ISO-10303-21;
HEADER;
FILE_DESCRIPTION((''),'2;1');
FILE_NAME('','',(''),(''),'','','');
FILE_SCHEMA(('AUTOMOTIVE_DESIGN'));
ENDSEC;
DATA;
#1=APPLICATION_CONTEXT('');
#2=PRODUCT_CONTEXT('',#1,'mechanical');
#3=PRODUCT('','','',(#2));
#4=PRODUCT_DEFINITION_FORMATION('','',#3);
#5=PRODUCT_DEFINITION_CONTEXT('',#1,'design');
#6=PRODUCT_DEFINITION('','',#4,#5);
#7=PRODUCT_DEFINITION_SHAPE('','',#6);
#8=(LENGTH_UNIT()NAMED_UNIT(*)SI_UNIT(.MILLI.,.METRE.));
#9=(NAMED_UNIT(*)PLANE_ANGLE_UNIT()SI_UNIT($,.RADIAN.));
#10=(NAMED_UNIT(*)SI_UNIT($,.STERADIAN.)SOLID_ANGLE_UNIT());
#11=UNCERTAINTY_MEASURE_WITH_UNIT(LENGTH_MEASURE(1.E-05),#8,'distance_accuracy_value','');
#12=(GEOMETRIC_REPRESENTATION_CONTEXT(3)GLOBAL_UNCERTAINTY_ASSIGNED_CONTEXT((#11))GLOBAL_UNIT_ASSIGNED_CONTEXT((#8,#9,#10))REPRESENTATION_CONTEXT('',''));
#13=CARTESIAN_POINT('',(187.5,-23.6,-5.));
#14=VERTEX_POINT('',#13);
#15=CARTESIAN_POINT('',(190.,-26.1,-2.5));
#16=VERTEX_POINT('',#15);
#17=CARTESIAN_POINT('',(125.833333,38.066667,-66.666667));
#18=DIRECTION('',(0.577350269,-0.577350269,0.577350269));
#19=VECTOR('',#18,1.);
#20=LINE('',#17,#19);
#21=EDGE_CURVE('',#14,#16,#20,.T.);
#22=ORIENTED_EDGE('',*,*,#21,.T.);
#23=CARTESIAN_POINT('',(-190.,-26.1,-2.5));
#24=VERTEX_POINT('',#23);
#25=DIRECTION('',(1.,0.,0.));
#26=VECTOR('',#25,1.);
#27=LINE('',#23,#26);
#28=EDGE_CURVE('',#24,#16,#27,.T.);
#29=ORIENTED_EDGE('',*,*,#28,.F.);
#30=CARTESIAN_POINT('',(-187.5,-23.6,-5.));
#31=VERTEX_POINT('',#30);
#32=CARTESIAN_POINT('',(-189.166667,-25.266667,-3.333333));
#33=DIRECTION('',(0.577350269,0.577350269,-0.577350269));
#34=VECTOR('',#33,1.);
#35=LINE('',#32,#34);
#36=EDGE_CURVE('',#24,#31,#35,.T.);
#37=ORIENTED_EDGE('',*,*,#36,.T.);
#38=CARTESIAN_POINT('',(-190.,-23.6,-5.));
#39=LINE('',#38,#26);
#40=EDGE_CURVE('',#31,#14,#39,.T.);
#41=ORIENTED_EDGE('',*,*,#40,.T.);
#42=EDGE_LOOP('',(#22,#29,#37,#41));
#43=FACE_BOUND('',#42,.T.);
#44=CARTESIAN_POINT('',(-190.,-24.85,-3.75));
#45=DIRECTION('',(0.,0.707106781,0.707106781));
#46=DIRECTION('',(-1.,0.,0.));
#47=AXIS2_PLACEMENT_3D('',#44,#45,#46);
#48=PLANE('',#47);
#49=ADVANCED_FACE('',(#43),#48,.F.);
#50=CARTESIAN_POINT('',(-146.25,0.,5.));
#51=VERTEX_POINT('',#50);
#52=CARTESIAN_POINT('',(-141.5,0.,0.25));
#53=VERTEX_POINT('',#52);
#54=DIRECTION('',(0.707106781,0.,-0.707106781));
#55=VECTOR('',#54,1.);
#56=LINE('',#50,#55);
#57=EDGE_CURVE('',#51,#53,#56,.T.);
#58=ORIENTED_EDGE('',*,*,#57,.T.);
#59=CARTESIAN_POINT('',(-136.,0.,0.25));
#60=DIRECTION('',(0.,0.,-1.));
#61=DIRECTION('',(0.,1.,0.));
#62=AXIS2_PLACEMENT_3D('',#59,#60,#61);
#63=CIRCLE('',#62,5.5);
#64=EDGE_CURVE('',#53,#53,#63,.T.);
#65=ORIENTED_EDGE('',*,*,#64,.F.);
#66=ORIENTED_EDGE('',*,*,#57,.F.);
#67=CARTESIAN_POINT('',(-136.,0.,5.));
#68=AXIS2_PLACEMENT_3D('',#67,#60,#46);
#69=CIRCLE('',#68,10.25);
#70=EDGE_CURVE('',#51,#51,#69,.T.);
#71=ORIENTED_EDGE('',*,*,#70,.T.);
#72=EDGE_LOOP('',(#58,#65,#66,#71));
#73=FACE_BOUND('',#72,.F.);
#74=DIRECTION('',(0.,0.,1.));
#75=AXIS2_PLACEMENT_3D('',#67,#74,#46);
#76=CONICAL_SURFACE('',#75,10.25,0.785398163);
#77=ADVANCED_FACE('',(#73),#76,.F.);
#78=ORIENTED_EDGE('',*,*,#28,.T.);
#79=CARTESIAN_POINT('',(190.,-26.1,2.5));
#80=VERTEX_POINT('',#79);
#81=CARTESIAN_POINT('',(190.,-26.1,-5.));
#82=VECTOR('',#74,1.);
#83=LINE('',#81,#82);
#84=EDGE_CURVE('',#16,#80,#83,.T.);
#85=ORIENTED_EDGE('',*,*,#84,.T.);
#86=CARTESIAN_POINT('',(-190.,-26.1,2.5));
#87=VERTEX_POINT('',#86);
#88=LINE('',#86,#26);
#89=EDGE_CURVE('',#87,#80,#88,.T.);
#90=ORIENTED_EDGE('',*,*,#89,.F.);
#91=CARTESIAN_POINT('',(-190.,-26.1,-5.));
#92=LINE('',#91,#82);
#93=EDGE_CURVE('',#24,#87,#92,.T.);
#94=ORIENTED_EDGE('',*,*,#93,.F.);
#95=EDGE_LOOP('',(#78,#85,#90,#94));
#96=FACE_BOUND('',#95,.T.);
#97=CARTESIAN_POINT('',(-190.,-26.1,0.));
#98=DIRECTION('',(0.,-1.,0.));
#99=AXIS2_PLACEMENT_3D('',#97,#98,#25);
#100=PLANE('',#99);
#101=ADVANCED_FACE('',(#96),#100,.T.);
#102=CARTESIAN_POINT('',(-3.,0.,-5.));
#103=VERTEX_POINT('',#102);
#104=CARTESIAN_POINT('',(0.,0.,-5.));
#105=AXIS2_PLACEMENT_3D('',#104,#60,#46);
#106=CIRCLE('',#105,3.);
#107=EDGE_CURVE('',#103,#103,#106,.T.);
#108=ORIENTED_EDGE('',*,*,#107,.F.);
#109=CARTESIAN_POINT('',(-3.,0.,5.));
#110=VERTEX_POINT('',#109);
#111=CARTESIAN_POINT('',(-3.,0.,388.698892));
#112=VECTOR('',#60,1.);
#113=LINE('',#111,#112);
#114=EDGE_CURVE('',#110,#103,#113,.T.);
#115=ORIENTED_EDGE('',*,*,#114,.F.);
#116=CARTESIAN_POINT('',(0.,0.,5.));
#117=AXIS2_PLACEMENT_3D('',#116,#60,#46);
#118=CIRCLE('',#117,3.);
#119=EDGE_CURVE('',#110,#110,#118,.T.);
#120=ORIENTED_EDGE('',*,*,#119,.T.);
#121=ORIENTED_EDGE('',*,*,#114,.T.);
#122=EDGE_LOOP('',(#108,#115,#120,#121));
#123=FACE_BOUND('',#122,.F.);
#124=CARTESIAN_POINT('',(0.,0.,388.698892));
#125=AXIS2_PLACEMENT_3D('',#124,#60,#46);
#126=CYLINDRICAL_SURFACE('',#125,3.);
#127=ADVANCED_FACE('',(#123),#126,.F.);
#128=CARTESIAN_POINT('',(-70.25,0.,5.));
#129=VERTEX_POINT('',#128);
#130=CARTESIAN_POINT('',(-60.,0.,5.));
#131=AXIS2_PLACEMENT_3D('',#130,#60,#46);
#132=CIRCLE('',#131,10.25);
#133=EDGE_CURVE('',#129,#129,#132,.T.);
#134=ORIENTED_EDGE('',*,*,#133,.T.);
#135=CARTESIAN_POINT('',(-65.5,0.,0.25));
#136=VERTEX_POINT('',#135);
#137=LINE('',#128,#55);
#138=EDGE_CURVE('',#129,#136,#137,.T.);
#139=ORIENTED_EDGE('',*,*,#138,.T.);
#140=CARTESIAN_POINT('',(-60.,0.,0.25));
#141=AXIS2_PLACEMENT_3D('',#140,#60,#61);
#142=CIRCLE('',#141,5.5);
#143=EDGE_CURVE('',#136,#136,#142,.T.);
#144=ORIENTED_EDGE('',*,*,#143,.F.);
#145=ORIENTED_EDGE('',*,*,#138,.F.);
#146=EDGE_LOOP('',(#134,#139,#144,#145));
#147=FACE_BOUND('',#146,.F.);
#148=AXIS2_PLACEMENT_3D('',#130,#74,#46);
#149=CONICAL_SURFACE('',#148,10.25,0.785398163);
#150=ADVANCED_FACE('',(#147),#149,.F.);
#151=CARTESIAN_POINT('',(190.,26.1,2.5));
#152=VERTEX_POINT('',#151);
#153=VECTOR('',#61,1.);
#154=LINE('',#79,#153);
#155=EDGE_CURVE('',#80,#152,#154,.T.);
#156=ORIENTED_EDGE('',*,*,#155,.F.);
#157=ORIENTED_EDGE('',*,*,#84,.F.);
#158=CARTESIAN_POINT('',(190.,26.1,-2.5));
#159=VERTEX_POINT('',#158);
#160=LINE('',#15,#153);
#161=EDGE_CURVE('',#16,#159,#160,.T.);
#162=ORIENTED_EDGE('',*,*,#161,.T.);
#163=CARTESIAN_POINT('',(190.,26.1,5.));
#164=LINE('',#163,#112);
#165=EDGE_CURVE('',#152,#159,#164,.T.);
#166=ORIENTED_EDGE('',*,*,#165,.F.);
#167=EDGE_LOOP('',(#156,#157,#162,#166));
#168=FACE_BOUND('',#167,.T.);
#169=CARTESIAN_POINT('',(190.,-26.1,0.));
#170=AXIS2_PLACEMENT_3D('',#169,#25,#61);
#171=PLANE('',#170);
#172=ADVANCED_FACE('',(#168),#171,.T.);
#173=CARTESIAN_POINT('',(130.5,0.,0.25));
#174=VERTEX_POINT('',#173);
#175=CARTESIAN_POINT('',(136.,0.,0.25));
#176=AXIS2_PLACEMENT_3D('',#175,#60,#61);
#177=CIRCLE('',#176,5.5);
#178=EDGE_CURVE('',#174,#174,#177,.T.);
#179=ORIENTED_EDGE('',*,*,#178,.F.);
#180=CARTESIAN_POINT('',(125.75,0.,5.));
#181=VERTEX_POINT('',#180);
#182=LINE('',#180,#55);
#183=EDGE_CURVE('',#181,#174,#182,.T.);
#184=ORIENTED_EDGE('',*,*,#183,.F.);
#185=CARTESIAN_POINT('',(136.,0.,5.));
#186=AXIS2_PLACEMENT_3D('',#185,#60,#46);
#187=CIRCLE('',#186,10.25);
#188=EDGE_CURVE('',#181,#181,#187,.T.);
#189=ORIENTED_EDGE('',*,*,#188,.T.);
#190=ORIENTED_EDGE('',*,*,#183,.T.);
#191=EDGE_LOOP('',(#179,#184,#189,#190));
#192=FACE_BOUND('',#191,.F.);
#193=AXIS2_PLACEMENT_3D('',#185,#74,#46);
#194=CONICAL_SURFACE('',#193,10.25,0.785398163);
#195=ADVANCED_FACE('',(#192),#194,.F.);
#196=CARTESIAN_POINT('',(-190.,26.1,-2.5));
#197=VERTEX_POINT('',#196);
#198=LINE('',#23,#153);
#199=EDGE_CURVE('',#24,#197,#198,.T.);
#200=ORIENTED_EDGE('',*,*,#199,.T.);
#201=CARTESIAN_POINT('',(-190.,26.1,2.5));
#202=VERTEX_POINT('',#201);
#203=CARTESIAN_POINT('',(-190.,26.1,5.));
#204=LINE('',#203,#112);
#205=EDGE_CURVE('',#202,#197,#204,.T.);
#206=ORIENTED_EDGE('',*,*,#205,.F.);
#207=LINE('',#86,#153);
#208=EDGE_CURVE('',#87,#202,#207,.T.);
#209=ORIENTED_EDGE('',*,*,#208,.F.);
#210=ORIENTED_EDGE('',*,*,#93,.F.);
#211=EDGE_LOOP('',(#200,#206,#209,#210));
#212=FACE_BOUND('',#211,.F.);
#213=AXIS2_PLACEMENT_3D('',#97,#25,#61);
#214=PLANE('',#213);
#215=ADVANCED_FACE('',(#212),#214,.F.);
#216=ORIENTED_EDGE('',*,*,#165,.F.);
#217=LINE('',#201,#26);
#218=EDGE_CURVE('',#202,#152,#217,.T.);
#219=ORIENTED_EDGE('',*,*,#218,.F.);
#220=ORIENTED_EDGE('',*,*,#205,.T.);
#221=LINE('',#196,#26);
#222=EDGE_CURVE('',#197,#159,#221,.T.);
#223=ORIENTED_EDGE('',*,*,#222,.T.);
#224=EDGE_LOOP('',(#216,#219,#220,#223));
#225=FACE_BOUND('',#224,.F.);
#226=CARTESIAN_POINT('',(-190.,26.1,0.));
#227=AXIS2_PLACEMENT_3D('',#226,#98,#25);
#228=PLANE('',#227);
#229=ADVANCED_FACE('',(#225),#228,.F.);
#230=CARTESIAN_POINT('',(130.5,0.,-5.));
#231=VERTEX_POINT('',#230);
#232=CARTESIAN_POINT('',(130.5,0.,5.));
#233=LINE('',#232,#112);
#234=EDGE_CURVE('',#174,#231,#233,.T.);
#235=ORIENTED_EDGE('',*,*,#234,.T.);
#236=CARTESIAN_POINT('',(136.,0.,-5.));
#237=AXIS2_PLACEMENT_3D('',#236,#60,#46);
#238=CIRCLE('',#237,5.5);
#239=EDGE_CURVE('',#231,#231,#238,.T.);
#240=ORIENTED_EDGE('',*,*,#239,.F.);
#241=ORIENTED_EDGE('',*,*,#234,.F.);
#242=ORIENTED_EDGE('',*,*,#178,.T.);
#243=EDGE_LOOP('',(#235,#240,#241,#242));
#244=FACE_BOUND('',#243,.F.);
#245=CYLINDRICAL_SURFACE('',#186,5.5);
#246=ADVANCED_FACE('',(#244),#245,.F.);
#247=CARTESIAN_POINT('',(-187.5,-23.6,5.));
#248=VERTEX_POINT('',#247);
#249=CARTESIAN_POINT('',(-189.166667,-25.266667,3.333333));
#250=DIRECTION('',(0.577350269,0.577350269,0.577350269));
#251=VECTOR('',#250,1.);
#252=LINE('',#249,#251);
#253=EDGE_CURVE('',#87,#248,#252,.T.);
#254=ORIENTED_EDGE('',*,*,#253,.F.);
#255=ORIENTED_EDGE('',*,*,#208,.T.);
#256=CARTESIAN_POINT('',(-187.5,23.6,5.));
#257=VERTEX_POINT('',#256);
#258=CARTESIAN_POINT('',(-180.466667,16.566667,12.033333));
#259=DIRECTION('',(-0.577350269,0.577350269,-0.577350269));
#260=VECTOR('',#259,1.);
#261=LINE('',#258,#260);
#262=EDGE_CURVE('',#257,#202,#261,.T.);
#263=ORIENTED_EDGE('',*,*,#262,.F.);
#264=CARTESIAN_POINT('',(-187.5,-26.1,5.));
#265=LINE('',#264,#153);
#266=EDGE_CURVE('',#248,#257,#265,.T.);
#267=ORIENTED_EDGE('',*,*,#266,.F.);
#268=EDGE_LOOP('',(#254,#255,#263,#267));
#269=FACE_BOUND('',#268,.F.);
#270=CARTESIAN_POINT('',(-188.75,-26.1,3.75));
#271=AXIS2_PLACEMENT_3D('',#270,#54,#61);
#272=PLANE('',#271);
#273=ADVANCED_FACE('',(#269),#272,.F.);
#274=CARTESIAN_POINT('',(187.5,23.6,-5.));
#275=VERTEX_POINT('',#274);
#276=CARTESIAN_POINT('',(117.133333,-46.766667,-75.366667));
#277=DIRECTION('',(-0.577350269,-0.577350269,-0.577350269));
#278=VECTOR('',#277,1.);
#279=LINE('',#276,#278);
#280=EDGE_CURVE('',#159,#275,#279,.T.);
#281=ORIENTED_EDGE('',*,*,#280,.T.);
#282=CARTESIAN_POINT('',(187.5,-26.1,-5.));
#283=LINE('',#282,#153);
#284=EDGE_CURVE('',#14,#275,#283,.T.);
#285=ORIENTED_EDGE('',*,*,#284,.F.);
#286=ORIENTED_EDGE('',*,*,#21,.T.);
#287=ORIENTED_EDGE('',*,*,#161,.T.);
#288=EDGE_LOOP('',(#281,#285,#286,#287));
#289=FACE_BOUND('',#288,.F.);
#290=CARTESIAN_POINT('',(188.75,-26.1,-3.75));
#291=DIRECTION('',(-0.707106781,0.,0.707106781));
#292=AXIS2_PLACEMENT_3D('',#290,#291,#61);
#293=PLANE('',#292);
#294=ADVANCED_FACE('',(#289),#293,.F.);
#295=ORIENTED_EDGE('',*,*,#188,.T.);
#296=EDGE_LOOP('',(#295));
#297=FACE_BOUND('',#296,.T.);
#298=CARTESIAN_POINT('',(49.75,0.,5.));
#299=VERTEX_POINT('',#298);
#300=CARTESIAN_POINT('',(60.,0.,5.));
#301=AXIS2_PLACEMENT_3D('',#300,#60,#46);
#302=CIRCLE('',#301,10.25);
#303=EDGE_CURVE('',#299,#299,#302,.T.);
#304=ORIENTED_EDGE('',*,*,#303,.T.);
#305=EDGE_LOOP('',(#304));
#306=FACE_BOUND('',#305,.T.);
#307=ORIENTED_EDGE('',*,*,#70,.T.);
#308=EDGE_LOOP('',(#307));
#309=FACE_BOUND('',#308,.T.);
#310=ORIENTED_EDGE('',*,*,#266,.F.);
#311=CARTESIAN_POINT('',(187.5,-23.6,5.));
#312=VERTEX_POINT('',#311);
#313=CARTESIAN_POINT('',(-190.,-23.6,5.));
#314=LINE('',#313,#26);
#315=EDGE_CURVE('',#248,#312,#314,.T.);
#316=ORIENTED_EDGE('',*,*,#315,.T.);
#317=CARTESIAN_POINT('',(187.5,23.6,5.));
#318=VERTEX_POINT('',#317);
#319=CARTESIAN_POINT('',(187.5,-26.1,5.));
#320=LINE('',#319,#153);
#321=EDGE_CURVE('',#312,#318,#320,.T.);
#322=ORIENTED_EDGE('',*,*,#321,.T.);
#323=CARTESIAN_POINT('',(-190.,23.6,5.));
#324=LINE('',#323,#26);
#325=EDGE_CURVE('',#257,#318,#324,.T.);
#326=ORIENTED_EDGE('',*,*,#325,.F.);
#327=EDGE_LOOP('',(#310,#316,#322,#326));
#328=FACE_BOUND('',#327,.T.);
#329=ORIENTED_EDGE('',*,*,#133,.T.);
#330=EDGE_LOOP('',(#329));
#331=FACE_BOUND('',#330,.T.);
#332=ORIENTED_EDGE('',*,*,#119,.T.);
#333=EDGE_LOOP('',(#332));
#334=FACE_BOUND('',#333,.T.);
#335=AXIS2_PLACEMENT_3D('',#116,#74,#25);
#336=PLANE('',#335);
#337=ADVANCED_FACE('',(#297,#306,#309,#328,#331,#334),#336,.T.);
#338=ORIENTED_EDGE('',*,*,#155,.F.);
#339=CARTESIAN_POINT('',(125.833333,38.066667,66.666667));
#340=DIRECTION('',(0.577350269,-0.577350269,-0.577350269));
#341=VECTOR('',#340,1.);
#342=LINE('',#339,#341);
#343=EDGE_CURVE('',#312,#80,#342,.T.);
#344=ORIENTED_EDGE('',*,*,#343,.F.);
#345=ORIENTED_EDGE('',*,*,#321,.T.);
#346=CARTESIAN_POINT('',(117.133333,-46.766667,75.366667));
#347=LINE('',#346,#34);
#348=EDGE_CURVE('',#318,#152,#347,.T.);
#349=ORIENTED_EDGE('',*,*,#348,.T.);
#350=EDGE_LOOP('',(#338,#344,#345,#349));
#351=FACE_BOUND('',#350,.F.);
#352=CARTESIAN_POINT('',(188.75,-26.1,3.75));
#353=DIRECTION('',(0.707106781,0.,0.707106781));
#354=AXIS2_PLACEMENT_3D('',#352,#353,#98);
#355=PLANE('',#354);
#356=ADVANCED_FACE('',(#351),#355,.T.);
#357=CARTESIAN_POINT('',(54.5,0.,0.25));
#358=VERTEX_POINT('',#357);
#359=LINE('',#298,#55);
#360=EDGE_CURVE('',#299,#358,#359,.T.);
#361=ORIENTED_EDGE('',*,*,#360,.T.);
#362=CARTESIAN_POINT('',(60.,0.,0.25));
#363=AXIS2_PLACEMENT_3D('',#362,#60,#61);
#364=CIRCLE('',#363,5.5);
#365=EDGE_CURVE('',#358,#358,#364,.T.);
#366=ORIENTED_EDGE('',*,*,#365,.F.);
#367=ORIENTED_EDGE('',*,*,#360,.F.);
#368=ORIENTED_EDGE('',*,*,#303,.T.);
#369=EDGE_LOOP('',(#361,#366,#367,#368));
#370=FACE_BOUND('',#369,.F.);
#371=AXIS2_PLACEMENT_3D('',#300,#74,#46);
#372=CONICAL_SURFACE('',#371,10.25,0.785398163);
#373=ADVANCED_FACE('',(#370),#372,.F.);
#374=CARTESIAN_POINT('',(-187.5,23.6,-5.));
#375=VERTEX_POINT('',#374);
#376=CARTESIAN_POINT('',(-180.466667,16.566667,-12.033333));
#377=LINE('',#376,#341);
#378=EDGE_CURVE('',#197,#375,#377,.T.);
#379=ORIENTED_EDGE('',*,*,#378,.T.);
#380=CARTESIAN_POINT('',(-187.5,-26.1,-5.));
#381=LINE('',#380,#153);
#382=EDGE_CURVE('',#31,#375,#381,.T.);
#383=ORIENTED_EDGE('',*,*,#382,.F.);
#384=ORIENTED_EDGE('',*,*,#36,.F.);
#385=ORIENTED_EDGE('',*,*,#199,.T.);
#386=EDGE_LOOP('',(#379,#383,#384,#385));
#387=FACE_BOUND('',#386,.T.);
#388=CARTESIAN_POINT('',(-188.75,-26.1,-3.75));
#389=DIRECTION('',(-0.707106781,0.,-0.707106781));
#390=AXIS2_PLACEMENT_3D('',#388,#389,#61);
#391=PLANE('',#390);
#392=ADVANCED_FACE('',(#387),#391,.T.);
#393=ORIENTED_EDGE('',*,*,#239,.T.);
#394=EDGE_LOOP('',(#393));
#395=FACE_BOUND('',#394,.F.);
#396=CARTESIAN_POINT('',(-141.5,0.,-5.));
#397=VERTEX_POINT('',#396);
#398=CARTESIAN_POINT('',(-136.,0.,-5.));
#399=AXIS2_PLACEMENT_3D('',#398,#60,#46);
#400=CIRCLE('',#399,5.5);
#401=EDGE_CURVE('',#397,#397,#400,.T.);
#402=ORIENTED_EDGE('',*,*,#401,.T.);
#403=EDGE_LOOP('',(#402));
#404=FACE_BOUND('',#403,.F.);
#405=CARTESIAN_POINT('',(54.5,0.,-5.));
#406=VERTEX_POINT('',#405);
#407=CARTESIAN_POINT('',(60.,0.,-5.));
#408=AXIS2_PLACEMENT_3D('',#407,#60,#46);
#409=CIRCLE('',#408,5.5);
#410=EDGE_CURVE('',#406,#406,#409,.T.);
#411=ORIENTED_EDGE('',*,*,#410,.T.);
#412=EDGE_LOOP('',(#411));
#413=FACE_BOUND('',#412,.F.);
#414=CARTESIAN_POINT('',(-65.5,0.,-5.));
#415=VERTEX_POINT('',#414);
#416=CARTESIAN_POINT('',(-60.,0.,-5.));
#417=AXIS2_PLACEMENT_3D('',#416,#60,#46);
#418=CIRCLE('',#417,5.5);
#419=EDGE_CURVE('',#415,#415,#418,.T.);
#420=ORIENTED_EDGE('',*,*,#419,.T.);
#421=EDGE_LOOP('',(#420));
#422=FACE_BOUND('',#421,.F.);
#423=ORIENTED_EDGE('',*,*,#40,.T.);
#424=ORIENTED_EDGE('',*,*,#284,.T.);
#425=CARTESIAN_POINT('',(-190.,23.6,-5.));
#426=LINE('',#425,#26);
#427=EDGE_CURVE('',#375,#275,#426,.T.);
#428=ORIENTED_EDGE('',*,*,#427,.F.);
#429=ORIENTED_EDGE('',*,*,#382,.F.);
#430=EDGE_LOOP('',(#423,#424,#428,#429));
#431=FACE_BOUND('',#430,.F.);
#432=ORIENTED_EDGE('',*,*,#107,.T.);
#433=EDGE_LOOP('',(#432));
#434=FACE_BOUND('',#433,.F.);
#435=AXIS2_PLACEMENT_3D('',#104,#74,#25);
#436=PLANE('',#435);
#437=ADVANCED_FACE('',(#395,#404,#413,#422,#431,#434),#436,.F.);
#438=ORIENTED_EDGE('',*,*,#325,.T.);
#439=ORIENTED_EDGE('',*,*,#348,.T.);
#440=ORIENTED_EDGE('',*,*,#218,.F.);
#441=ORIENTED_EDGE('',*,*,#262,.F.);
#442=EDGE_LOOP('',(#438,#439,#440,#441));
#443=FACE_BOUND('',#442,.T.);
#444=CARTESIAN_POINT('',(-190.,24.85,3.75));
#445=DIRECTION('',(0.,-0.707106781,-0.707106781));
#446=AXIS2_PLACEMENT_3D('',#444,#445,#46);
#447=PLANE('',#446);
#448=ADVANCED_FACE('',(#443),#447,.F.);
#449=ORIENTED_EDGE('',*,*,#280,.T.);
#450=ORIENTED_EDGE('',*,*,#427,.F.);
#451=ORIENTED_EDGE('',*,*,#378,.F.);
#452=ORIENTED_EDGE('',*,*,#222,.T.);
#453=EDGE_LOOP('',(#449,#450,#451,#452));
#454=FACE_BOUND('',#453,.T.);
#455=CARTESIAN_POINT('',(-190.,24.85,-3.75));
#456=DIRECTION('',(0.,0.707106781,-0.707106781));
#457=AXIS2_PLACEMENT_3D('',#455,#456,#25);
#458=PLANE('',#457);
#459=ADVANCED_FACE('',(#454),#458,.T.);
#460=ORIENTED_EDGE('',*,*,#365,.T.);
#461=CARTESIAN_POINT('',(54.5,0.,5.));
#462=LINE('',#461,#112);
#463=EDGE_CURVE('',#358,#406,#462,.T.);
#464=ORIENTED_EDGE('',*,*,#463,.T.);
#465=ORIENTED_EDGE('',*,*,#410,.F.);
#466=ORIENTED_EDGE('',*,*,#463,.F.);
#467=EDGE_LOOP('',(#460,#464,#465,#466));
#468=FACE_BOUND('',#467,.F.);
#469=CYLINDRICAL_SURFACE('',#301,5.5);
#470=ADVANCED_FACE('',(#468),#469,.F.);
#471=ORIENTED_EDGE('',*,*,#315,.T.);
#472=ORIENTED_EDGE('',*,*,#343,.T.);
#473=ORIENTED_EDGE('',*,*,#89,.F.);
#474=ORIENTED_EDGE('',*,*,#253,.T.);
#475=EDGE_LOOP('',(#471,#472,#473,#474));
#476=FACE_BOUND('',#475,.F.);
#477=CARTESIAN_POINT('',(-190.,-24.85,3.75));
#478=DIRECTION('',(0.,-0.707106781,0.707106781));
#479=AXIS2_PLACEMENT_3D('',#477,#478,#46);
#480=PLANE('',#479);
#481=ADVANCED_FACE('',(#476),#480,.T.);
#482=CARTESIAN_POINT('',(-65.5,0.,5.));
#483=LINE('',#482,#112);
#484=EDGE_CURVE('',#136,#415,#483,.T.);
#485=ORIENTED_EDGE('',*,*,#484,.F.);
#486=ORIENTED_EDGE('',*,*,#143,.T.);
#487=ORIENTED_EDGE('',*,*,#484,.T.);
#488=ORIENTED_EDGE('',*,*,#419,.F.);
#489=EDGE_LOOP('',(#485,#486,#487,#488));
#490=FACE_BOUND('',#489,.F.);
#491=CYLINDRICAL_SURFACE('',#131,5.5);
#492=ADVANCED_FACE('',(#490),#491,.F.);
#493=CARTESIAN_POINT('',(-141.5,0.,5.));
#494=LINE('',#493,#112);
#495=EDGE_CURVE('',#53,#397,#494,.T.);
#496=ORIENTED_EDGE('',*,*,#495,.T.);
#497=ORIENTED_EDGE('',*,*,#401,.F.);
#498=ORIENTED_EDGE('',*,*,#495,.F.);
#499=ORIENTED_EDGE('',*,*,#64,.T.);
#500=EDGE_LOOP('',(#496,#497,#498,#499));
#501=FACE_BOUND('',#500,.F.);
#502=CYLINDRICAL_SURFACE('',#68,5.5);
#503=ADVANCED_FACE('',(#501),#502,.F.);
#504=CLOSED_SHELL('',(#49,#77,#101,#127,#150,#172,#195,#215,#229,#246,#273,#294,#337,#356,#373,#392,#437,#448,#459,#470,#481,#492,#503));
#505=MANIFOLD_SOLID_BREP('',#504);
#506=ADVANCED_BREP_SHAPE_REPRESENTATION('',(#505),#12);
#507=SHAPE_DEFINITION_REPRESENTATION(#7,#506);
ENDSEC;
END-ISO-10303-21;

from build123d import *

# Parameters (mm, degrees)
F0_W           = 380
F0_H           = 52.2
F1_DEPTH       = 5
F2_SIZE        = 2.5
F4_D           = 6
F5_D           = 11
F5_CSINK_D     = 20.5
F5_CSINK_ANGLE = 90


with BuildPart() as f1:
    # F0 (on Top) → F1 (new body, symmetric)
    with BuildSketch(Plane.XY):
        Rectangle(F0_W, F0_H)
    extrude(amount=F1_DEPTH, both=True)

    # F2
    f2_edges = [f1.edges().sort_by_distance(p)[0] for p in [
        (0, 26.1, 5),
        (-190, 0, 5),
        (0, -26.1, 5),
        (190, 0, 5),
        (0, 26.1, -5),
        (-190, 0, -5),
        (0, -26.1, -5),
        (190, 0, -5),
    ]]
    chamfer(f2_edges, length=F2_SIZE)

    # F4 (through all)
    with Locations(Plane.XY.offset(5)):
        with Locations((0, 0)):
            Hole(F4_D / 2)

    # F5 (through all)
    with Locations(Plane.XY.offset(5)):
        with Locations((-136, 0), (-60, 0), (60, 0), (136, 0)):
            CounterSinkHole(F5_D / 2, F5_CSINK_D / 2, counter_sink_angle=F5_CSINK_ANGLE)


solid = f1.part
